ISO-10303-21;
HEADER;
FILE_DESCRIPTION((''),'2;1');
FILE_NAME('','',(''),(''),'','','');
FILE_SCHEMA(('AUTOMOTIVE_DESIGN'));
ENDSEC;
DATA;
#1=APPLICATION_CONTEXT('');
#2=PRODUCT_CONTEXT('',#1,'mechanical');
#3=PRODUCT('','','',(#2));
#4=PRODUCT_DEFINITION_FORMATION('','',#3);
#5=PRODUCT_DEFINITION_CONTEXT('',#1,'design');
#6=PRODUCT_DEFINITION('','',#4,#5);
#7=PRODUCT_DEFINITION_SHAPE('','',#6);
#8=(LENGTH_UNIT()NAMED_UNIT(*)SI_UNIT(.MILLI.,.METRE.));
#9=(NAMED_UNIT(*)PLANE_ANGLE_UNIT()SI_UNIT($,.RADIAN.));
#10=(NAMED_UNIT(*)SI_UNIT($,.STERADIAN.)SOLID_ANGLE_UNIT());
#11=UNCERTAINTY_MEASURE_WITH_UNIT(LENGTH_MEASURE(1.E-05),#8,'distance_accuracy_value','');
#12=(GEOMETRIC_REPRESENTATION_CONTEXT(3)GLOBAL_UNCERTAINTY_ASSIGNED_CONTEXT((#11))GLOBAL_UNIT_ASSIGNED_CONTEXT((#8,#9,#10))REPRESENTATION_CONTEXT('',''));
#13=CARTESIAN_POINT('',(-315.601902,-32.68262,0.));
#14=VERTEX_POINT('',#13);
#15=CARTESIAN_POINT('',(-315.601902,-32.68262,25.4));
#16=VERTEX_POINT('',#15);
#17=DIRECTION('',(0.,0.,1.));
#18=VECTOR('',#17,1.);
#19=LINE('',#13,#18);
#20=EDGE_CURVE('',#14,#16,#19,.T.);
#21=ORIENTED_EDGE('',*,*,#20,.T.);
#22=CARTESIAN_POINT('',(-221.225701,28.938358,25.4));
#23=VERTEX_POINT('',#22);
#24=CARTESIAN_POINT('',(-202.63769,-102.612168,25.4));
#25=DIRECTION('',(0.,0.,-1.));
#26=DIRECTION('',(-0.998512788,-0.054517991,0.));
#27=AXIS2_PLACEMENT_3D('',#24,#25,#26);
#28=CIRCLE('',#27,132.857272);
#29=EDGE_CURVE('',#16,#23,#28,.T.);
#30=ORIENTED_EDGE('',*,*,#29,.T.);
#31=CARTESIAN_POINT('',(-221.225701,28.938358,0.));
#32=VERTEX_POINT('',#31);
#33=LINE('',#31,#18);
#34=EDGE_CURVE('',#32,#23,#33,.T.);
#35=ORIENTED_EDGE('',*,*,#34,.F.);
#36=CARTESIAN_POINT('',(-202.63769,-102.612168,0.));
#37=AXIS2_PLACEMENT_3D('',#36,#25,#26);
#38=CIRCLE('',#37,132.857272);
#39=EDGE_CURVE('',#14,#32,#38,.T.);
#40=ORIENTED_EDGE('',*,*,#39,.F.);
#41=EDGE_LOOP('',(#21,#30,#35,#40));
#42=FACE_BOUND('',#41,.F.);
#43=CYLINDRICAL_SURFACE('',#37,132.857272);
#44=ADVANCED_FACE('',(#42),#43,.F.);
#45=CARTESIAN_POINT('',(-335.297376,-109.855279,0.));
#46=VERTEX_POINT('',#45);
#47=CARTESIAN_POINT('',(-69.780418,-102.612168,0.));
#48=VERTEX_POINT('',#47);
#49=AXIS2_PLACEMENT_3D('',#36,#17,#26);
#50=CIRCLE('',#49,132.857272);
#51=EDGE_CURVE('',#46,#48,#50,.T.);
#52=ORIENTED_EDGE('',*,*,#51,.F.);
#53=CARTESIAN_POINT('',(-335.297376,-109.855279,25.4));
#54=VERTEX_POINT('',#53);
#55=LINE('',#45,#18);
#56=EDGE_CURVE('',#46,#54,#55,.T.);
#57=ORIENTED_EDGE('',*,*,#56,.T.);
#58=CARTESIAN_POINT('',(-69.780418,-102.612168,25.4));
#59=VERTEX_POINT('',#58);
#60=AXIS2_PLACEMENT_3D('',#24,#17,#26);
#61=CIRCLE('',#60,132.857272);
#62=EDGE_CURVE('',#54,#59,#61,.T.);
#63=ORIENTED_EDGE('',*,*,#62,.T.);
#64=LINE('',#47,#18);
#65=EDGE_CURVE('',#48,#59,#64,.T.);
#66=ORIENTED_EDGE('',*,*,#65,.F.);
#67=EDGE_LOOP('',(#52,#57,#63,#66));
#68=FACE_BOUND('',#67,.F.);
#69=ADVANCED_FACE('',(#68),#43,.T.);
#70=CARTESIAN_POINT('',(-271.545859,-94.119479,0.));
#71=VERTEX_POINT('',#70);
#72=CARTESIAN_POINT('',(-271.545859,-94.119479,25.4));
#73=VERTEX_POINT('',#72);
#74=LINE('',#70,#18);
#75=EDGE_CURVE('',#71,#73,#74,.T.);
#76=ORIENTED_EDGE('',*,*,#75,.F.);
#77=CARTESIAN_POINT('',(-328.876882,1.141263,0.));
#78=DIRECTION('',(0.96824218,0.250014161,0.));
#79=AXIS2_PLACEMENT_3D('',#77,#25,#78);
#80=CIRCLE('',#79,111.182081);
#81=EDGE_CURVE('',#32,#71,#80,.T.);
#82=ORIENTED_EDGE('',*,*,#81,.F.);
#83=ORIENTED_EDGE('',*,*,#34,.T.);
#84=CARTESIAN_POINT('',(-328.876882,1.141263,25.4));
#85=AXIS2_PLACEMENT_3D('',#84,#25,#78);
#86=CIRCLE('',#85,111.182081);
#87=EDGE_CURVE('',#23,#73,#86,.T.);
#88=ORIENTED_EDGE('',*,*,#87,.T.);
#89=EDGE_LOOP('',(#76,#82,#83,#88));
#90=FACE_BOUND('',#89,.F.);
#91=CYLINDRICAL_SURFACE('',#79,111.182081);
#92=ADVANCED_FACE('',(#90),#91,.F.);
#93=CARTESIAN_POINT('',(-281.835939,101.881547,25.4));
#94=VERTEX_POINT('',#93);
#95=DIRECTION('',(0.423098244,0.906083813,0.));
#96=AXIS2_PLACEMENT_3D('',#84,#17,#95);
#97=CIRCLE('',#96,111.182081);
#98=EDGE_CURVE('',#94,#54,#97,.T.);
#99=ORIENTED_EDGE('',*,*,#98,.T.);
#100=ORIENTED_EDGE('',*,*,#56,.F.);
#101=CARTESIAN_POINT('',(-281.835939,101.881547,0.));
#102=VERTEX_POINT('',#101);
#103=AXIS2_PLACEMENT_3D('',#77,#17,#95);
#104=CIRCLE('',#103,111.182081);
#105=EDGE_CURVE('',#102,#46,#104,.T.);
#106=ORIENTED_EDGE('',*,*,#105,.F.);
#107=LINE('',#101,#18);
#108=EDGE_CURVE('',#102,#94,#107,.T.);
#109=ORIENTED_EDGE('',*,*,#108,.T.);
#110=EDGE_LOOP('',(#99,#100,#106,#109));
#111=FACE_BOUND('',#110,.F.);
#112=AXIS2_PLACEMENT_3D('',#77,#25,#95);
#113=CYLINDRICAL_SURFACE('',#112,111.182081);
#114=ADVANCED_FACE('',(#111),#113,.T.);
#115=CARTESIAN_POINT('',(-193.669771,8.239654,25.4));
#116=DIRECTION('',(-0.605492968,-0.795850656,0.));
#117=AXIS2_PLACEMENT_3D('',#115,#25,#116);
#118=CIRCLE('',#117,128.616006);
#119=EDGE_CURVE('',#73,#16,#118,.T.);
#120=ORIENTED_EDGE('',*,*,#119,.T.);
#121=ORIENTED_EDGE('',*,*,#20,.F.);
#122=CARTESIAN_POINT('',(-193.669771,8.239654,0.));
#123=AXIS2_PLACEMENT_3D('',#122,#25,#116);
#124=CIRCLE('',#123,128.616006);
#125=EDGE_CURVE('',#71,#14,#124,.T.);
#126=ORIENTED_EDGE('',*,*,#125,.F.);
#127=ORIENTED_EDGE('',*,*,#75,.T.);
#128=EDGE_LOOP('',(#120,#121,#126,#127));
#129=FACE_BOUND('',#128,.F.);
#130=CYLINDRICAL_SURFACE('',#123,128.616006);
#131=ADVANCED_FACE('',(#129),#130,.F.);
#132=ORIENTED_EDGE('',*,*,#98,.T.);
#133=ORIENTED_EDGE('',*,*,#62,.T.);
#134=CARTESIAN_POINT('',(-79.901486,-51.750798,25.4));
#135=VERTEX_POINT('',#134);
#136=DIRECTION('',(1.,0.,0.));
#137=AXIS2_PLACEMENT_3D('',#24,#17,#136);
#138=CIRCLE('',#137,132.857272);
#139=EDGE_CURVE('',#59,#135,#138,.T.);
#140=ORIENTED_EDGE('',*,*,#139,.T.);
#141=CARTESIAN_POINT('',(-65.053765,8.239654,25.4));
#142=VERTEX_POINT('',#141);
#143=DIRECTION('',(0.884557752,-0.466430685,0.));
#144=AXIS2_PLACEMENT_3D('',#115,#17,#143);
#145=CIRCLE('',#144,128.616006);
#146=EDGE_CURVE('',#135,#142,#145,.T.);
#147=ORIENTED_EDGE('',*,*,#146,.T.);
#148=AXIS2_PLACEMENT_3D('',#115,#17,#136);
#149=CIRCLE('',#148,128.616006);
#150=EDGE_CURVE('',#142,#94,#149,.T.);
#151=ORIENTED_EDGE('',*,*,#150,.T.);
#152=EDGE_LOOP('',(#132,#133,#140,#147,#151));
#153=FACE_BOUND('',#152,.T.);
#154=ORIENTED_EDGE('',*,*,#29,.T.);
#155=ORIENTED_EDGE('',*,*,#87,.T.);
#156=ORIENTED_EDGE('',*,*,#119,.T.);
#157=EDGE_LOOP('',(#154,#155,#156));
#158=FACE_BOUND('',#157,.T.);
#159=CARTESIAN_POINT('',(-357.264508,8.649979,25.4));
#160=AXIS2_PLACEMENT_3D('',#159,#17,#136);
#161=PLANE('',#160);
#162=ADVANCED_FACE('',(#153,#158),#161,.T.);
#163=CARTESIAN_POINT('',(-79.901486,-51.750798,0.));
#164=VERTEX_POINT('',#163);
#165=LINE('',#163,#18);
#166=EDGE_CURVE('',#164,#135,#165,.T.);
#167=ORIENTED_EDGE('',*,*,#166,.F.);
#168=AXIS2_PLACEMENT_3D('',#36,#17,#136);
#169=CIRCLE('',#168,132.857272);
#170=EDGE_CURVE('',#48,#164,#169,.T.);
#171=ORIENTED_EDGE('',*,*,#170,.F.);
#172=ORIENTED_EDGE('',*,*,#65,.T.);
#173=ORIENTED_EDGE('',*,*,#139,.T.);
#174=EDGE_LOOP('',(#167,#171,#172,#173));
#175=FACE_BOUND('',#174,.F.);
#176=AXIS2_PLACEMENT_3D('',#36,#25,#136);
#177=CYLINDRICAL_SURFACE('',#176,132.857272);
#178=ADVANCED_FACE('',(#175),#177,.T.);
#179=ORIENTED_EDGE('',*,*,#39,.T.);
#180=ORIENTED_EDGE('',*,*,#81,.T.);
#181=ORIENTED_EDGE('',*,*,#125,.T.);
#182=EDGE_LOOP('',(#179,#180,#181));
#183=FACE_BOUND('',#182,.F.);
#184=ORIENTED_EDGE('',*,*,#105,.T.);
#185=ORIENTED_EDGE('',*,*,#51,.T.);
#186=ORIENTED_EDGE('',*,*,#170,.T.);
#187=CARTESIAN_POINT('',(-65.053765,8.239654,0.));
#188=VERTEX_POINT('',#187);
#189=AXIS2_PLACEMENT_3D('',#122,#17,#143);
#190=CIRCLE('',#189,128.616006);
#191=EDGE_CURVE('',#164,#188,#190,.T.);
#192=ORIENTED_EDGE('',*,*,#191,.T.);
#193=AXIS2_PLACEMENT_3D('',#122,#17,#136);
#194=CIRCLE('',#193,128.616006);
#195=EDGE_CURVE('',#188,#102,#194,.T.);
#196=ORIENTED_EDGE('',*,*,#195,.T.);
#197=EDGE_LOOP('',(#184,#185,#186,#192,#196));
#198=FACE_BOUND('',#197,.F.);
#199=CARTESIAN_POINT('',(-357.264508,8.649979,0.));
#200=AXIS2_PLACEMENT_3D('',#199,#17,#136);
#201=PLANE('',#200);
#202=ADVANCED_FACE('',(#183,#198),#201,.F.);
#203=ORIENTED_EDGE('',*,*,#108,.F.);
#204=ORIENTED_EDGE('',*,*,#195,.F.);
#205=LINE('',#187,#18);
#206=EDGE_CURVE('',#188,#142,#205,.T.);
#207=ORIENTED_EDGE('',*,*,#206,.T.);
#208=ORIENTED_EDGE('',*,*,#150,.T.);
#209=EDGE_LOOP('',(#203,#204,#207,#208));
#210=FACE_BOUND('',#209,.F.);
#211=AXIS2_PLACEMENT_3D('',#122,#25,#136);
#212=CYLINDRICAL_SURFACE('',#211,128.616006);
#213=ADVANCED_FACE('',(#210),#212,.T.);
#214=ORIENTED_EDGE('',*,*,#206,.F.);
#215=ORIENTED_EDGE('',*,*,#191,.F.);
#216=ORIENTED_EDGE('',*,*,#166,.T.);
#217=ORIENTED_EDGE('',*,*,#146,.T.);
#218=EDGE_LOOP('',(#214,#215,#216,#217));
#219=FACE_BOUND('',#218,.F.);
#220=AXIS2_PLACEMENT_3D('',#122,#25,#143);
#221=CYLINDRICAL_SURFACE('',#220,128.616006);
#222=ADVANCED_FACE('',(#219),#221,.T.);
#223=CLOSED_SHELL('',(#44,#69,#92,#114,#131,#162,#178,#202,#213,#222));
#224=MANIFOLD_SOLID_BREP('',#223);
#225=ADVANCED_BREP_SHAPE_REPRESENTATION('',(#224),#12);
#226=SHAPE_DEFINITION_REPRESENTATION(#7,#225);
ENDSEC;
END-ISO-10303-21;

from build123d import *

# Parameters (mm, degrees)
F1_DEPTH = 25.4
F2_DEPTH = 25.4


with BuildPart() as f1:
    # F0 (on Top) → F1 (new body)
    with BuildSketch(Plane.XY):
        with BuildLine():
            ThreePointArc((-315.6019023562, -32.6826199509), (-318.4183283242, 39.5426032128), (-281.8359385816, 101.8815467151))
            ThreePointArc((-281.8359385816, 101.8815467151), (-436.6758896837, 28.3594374997), (-335.2973759174, -109.8552793264))
            ThreePointArc((-335.2973759174, -109.8552793264), (-331.3687262504, -69.7583210728), (-315.6019023562, -32.6826199509))
        make_face()
    extrude(amount=F1_DEPTH)

    # F0 (on Top) → F2 (join)
    with BuildSketch(Plane.XY):
        with BuildLine():
            ThreePointArc((-79.9014859048, -51.7507978379), (-68.8208634035, -22.6606255776), (-65.053764951, 8.2396541364))
            ThreePointArc((-65.053764951, 8.2396541364), (-142.6673362581, 126.310940707), (-281.8359385816, 101.8815467151))
            ThreePointArc((-281.8359385816, 101.8815467151), (-243.3631957967, 72.1966260194), (-221.225701345, 28.9383575207))
            ThreePointArc((-221.225701345, 28.9383575207), (-136.7635945542, 12.7639924689), (-79.9014859048, -51.7507978379))
        make_face()
        with BuildLine():
            ThreePointArc((-221.225701345, 28.9383575207), (-243.3631957967, 72.1966260194), (-281.8359385816, 101.8815467151))
            ThreePointArc((-281.8359385816, 101.8815467151), (-318.4183283242, 39.5426032128), (-315.6019023562, -32.6826199509))
            ThreePointArc((-315.6019023562, -32.6826199509), (-275.2722761941, 8.6320311632), (-221.225701345, 28.9383575207))
        make_face()
        with BuildLine():
            ThreePointArc((-315.6019023562, -32.6826199509), (-318.4183283242, 39.5426032128), (-281.8359385816, 101.8815467151))
            ThreePointArc((-281.8359385816, 101.8815467151), (-436.6758896837, 28.3594374997), (-335.2973759174, -109.8552793264))
            ThreePointArc((-335.2973759174, -109.8552793264), (-331.3687262504, -69.7583210728), (-315.6019023562, -32.6826199509))
        make_face()
        with BuildLine():
            ThreePointArc((-69.780417974, -102.6121676804), (-72.3352495295, -76.6828649598), (-79.9014859048, -51.7507978379))
            ThreePointArc((-79.9014859048, -51.7507978379), (-165.9057883113, -117.3439369187), (-271.5458587141, -94.1194788586))
            ThreePointArc((-271.5458587141, -94.1194788586), (-302.2334146079, -106.8012254251), (-335.2973759174, -109.8552793264))
            ThreePointArc((-335.2973759174, -109.8552793264), (-199.0147873045, -235.4200341849), (-69.780417974, -102.6121676804))
        make_face()
        with BuildLine():
            ThreePointArc((-271.5458587141, -94.1194788586), (-165.9057883113, -117.3439369187), (-79.9014859048, -51.7507978379))
            ThreePointArc((-79.9014859048, -51.7507978379), (-136.7635945542, 12.7639924689), (-221.225701345, 28.9383575207))
            ThreePointArc((-221.225701345, 28.9383575207), (-218.5810582552, 15.1514888677), (-217.6948008537, 1.1412628828))
            ThreePointArc((-217.6948008537, 1.1412628828), (-232.0893888758, -53.5728700031), (-271.5458587141, -94.1194788586))
        make_face()
        with BuildLine():
            ThreePointArc((-271.5458587141, -94.1194788586), (-298.1898791759, -66.711157395), (-315.6019023562, -32.6826199509))
            ThreePointArc((-315.6019023562, -32.6826199509), (-331.3687262504, -69.7583210728), (-335.2973759174, -109.8552793264))
            ThreePointArc((-335.2973759174, -109.8552793264), (-302.2334146079, -106.8012254251), (-271.5458587141, -94.1194788586))
        make_face()
    extrude(amount=F2_DEPTH)


solid = f1.part
